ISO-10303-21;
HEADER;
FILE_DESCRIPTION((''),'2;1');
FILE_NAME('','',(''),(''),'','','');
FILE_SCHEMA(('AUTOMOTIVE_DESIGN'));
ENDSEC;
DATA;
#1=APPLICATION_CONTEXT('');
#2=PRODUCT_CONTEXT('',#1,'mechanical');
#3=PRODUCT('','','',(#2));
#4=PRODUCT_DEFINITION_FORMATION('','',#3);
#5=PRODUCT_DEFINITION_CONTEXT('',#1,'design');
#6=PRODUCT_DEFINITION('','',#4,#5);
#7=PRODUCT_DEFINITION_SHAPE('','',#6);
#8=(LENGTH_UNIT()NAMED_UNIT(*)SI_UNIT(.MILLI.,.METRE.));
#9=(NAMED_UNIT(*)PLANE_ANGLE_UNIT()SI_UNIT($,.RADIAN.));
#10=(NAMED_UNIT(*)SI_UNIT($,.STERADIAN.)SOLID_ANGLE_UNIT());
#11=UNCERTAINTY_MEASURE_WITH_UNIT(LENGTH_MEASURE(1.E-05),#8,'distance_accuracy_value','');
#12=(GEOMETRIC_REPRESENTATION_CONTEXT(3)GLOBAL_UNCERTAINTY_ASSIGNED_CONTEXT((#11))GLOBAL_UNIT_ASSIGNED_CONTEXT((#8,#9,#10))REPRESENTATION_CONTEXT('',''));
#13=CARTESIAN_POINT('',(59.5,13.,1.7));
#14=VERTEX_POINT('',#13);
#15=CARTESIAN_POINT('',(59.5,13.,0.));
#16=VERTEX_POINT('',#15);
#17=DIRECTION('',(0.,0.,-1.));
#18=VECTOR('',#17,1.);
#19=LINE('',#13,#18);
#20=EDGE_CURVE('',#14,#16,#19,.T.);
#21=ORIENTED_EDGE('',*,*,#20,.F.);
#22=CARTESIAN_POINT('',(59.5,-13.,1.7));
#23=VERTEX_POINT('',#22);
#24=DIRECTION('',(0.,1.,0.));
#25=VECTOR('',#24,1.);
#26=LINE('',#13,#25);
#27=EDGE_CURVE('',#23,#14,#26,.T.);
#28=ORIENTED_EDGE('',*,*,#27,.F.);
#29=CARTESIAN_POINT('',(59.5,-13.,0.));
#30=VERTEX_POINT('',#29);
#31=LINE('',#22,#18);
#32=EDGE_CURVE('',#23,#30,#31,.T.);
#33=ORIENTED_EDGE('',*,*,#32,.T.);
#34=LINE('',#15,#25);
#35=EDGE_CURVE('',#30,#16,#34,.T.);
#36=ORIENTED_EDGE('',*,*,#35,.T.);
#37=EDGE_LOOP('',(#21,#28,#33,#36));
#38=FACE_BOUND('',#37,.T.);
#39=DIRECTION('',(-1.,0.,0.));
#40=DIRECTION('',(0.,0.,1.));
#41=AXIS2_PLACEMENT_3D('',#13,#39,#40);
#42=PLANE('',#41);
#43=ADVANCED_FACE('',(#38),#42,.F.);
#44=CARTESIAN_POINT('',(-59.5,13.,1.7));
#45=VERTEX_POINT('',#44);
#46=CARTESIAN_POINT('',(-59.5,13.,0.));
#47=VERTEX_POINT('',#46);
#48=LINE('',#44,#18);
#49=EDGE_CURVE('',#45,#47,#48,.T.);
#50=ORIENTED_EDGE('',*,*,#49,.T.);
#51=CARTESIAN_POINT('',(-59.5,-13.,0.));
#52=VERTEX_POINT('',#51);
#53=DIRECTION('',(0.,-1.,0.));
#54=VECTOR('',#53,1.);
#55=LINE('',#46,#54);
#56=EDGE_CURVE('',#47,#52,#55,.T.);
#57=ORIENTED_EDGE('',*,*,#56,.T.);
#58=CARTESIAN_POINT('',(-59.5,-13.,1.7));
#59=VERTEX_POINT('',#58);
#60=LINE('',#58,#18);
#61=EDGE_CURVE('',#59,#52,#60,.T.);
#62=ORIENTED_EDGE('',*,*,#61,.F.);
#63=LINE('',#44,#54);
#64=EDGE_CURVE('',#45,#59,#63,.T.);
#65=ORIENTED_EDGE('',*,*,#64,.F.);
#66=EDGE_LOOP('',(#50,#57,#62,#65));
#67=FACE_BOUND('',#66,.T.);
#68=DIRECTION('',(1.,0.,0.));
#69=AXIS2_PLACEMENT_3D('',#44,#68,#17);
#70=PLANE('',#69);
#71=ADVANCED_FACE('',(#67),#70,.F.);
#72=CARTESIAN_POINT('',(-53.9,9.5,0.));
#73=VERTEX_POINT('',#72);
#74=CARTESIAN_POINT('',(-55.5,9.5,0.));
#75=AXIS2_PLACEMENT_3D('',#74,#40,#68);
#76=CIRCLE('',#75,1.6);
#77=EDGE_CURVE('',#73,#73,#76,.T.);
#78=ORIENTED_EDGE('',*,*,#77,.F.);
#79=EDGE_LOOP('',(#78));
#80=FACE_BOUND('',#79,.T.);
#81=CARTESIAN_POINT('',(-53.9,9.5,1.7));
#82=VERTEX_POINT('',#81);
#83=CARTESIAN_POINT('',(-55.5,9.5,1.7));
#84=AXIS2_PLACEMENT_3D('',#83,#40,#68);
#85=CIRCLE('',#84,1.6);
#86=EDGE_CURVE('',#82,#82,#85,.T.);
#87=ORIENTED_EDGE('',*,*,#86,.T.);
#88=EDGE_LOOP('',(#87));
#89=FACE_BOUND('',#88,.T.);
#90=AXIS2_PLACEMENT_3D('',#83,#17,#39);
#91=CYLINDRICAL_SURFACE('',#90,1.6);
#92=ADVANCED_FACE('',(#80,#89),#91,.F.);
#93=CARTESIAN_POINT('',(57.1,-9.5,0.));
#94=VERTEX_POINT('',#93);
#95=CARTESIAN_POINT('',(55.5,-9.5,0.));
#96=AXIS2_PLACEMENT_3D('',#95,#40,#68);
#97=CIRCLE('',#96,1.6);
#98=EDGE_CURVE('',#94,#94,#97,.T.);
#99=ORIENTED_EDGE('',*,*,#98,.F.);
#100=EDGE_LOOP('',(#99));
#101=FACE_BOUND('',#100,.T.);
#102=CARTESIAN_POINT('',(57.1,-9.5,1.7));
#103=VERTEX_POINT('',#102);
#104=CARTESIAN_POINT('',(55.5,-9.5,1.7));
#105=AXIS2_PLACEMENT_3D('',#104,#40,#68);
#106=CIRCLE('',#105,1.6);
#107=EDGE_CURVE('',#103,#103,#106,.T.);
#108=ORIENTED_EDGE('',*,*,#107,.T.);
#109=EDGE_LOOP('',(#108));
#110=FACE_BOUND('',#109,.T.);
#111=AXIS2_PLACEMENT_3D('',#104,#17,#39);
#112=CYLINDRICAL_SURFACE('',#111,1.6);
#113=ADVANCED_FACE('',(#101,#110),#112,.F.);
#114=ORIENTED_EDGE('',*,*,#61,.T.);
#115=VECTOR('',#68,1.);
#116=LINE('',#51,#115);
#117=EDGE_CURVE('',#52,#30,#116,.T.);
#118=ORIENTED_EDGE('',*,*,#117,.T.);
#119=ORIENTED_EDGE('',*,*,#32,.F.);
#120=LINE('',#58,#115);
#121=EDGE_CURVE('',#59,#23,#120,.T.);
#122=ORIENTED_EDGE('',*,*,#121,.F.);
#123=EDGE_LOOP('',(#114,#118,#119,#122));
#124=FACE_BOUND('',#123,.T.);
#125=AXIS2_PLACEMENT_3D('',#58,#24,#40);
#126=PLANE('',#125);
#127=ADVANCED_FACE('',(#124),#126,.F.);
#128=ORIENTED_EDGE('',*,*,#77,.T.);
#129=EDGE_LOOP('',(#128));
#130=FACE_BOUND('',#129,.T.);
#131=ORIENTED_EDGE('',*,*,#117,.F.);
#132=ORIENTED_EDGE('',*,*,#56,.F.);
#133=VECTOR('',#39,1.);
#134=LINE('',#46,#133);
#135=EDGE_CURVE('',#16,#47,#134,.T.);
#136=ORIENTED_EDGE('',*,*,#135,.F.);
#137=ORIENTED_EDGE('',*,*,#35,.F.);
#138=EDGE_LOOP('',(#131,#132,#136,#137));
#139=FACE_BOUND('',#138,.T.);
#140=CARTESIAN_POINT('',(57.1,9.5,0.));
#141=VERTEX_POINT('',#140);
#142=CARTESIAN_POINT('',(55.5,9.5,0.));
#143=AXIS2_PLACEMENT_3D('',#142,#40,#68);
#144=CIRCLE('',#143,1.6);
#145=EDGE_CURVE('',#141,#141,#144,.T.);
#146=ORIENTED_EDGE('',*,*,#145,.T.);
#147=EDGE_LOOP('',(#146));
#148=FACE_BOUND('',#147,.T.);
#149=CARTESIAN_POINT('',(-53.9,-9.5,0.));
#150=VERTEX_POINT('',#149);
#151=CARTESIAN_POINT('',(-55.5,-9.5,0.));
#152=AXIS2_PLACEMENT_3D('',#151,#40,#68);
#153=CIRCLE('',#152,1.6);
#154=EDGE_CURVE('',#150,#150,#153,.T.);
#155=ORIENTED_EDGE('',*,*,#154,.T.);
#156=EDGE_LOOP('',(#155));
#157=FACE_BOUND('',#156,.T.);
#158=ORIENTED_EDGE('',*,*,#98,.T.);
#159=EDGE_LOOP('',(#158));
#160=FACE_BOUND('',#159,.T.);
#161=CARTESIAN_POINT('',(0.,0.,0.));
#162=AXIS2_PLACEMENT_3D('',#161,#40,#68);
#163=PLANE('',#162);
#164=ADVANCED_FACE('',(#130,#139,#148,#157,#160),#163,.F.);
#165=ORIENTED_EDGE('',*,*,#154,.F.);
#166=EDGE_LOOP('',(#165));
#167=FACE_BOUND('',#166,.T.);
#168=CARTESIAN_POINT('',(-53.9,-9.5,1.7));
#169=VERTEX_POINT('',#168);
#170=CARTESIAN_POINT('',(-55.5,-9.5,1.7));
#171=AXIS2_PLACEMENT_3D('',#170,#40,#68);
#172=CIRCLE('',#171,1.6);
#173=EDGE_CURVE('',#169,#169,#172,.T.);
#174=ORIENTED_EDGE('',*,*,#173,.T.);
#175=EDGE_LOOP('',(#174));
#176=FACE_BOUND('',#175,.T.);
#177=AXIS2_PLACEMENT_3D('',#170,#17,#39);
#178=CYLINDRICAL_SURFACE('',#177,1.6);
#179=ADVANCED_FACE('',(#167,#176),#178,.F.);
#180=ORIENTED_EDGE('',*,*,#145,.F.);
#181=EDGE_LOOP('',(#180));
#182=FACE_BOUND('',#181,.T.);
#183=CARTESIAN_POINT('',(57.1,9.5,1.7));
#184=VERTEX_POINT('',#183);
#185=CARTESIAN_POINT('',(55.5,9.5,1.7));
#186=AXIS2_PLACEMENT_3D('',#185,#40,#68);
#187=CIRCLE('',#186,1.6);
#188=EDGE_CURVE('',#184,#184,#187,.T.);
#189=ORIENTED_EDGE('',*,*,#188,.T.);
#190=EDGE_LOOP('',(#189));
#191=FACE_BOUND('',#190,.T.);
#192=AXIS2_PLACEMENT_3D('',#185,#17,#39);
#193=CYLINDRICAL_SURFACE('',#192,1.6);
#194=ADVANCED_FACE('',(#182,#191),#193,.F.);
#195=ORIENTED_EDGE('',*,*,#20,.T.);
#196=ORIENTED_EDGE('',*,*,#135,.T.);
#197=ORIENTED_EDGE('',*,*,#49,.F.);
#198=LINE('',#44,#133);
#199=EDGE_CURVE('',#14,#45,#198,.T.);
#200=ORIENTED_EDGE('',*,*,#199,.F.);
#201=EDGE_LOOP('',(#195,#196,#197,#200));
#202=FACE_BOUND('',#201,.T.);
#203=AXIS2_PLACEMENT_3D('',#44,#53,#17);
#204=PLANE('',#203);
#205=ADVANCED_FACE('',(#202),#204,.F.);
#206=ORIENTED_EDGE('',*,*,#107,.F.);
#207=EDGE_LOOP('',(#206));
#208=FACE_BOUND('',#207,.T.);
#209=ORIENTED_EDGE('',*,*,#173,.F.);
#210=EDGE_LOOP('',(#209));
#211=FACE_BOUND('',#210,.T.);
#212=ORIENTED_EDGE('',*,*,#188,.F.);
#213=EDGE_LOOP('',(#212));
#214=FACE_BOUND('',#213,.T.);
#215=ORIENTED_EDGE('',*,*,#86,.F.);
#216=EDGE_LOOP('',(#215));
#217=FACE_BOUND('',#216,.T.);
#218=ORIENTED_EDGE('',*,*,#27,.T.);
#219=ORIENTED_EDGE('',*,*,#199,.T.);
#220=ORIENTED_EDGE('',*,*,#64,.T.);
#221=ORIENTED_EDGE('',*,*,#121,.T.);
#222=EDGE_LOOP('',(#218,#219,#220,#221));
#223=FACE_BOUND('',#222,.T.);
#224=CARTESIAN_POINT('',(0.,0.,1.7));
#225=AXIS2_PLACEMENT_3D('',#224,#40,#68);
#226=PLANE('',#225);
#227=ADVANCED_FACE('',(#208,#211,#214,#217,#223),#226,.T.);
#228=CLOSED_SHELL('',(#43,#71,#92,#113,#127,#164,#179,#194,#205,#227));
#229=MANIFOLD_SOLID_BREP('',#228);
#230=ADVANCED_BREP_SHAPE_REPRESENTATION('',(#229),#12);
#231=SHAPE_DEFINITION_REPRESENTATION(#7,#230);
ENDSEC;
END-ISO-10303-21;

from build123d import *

# Parameters (mm, degrees)
SKETCH1_W  = 119
SKETCH1_H  = 26
SKETCH1_R  = 1.6
MAIN_DEPTH = 1.7


with BuildPart() as part:
    # Sketch1 → Main (new body)
    with BuildSketch(Plane.XY):
        Rectangle(SKETCH1_W, SKETCH1_H)
        with Locations((-55.5, 9.5)):
            Circle(SKETCH1_R, mode=Mode.SUBTRACT)
        with Locations((-55.5, -9.5)):
            Circle(SKETCH1_R, mode=Mode.SUBTRACT)
        with Locations((55.5, -9.5)):
            Circle(SKETCH1_R, mode=Mode.SUBTRACT)
        with Locations((55.5, 9.5)):
            Circle(SKETCH1_R, mode=Mode.SUBTRACT)
    extrude(amount=MAIN_DEPTH)


solid = part.part
